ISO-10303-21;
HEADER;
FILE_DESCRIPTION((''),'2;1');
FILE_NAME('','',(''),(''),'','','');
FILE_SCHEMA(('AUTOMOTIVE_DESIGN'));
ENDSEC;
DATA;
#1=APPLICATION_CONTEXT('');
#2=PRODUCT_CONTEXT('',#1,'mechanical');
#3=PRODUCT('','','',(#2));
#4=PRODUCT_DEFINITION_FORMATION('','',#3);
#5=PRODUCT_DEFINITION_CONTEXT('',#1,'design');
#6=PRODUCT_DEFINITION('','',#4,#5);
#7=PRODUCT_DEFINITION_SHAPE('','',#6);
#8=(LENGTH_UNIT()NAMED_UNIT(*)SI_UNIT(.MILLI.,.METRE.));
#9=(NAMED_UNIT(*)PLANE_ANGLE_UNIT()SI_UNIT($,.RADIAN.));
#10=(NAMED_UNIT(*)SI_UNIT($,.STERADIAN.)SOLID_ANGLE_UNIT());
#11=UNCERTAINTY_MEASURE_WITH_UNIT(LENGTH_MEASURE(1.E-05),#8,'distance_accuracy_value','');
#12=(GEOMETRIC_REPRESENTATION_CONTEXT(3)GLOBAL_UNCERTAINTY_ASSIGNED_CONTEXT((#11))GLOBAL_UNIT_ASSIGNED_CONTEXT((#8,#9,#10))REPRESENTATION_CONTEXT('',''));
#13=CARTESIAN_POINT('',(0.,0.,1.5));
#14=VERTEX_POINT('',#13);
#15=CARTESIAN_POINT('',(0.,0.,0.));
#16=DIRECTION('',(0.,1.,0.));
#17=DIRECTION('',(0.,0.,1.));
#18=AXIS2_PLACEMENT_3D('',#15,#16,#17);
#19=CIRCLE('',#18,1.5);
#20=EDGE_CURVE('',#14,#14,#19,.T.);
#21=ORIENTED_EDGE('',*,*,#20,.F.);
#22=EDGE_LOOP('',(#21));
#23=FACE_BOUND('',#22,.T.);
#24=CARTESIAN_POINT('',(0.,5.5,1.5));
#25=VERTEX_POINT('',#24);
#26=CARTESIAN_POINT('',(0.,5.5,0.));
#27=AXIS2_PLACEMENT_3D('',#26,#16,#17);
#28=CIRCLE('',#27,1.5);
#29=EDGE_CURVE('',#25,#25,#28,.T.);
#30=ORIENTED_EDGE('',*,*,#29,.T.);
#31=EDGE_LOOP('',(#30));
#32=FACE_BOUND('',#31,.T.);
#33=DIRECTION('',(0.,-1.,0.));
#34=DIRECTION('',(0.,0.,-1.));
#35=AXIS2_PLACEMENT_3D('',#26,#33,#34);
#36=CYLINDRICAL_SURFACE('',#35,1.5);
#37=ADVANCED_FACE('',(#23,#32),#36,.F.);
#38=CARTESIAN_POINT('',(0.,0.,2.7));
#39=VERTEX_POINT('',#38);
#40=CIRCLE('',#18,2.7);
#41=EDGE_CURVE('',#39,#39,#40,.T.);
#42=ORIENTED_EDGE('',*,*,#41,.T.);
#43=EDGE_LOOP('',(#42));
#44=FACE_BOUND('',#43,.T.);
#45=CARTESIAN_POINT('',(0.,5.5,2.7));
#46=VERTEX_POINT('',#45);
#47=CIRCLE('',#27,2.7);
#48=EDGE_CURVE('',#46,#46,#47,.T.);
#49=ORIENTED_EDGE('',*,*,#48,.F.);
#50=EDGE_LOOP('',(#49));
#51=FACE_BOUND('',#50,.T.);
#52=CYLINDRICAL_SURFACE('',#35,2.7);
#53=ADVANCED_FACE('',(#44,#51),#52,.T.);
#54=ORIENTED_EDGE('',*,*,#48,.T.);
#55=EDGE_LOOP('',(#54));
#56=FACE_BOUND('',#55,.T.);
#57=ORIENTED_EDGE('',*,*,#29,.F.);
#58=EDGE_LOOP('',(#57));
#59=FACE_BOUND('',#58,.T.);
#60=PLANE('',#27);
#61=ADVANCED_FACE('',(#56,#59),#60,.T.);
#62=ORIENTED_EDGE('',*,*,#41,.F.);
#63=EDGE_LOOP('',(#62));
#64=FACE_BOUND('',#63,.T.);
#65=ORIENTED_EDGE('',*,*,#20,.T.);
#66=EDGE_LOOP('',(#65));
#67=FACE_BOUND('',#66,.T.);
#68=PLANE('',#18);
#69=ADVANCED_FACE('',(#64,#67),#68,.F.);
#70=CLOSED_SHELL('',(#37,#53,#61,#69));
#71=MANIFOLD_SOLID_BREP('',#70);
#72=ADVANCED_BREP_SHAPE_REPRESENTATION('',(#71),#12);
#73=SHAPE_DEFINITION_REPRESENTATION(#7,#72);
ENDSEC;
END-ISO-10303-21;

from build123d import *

# Parameters (mm, degrees)
SKETCH2_R           = 2.7
SKETCH2_R_2         = 1.5
BOSS_EXTRUDE1_DEPTH = 5.5


with BuildPart() as part:
    # Sketch2 → Boss-Extrude1 (new body)
    with BuildSketch(Plane(origin=(0, 0, 0), x_dir=(1, 0, 0), z_dir=(0, 1, 0))):
        Circle(SKETCH2_R)
        Circle(SKETCH2_R_2, mode=Mode.SUBTRACT)
    extrude(amount=BOSS_EXTRUDE1_DEPTH)


solid = part.part
